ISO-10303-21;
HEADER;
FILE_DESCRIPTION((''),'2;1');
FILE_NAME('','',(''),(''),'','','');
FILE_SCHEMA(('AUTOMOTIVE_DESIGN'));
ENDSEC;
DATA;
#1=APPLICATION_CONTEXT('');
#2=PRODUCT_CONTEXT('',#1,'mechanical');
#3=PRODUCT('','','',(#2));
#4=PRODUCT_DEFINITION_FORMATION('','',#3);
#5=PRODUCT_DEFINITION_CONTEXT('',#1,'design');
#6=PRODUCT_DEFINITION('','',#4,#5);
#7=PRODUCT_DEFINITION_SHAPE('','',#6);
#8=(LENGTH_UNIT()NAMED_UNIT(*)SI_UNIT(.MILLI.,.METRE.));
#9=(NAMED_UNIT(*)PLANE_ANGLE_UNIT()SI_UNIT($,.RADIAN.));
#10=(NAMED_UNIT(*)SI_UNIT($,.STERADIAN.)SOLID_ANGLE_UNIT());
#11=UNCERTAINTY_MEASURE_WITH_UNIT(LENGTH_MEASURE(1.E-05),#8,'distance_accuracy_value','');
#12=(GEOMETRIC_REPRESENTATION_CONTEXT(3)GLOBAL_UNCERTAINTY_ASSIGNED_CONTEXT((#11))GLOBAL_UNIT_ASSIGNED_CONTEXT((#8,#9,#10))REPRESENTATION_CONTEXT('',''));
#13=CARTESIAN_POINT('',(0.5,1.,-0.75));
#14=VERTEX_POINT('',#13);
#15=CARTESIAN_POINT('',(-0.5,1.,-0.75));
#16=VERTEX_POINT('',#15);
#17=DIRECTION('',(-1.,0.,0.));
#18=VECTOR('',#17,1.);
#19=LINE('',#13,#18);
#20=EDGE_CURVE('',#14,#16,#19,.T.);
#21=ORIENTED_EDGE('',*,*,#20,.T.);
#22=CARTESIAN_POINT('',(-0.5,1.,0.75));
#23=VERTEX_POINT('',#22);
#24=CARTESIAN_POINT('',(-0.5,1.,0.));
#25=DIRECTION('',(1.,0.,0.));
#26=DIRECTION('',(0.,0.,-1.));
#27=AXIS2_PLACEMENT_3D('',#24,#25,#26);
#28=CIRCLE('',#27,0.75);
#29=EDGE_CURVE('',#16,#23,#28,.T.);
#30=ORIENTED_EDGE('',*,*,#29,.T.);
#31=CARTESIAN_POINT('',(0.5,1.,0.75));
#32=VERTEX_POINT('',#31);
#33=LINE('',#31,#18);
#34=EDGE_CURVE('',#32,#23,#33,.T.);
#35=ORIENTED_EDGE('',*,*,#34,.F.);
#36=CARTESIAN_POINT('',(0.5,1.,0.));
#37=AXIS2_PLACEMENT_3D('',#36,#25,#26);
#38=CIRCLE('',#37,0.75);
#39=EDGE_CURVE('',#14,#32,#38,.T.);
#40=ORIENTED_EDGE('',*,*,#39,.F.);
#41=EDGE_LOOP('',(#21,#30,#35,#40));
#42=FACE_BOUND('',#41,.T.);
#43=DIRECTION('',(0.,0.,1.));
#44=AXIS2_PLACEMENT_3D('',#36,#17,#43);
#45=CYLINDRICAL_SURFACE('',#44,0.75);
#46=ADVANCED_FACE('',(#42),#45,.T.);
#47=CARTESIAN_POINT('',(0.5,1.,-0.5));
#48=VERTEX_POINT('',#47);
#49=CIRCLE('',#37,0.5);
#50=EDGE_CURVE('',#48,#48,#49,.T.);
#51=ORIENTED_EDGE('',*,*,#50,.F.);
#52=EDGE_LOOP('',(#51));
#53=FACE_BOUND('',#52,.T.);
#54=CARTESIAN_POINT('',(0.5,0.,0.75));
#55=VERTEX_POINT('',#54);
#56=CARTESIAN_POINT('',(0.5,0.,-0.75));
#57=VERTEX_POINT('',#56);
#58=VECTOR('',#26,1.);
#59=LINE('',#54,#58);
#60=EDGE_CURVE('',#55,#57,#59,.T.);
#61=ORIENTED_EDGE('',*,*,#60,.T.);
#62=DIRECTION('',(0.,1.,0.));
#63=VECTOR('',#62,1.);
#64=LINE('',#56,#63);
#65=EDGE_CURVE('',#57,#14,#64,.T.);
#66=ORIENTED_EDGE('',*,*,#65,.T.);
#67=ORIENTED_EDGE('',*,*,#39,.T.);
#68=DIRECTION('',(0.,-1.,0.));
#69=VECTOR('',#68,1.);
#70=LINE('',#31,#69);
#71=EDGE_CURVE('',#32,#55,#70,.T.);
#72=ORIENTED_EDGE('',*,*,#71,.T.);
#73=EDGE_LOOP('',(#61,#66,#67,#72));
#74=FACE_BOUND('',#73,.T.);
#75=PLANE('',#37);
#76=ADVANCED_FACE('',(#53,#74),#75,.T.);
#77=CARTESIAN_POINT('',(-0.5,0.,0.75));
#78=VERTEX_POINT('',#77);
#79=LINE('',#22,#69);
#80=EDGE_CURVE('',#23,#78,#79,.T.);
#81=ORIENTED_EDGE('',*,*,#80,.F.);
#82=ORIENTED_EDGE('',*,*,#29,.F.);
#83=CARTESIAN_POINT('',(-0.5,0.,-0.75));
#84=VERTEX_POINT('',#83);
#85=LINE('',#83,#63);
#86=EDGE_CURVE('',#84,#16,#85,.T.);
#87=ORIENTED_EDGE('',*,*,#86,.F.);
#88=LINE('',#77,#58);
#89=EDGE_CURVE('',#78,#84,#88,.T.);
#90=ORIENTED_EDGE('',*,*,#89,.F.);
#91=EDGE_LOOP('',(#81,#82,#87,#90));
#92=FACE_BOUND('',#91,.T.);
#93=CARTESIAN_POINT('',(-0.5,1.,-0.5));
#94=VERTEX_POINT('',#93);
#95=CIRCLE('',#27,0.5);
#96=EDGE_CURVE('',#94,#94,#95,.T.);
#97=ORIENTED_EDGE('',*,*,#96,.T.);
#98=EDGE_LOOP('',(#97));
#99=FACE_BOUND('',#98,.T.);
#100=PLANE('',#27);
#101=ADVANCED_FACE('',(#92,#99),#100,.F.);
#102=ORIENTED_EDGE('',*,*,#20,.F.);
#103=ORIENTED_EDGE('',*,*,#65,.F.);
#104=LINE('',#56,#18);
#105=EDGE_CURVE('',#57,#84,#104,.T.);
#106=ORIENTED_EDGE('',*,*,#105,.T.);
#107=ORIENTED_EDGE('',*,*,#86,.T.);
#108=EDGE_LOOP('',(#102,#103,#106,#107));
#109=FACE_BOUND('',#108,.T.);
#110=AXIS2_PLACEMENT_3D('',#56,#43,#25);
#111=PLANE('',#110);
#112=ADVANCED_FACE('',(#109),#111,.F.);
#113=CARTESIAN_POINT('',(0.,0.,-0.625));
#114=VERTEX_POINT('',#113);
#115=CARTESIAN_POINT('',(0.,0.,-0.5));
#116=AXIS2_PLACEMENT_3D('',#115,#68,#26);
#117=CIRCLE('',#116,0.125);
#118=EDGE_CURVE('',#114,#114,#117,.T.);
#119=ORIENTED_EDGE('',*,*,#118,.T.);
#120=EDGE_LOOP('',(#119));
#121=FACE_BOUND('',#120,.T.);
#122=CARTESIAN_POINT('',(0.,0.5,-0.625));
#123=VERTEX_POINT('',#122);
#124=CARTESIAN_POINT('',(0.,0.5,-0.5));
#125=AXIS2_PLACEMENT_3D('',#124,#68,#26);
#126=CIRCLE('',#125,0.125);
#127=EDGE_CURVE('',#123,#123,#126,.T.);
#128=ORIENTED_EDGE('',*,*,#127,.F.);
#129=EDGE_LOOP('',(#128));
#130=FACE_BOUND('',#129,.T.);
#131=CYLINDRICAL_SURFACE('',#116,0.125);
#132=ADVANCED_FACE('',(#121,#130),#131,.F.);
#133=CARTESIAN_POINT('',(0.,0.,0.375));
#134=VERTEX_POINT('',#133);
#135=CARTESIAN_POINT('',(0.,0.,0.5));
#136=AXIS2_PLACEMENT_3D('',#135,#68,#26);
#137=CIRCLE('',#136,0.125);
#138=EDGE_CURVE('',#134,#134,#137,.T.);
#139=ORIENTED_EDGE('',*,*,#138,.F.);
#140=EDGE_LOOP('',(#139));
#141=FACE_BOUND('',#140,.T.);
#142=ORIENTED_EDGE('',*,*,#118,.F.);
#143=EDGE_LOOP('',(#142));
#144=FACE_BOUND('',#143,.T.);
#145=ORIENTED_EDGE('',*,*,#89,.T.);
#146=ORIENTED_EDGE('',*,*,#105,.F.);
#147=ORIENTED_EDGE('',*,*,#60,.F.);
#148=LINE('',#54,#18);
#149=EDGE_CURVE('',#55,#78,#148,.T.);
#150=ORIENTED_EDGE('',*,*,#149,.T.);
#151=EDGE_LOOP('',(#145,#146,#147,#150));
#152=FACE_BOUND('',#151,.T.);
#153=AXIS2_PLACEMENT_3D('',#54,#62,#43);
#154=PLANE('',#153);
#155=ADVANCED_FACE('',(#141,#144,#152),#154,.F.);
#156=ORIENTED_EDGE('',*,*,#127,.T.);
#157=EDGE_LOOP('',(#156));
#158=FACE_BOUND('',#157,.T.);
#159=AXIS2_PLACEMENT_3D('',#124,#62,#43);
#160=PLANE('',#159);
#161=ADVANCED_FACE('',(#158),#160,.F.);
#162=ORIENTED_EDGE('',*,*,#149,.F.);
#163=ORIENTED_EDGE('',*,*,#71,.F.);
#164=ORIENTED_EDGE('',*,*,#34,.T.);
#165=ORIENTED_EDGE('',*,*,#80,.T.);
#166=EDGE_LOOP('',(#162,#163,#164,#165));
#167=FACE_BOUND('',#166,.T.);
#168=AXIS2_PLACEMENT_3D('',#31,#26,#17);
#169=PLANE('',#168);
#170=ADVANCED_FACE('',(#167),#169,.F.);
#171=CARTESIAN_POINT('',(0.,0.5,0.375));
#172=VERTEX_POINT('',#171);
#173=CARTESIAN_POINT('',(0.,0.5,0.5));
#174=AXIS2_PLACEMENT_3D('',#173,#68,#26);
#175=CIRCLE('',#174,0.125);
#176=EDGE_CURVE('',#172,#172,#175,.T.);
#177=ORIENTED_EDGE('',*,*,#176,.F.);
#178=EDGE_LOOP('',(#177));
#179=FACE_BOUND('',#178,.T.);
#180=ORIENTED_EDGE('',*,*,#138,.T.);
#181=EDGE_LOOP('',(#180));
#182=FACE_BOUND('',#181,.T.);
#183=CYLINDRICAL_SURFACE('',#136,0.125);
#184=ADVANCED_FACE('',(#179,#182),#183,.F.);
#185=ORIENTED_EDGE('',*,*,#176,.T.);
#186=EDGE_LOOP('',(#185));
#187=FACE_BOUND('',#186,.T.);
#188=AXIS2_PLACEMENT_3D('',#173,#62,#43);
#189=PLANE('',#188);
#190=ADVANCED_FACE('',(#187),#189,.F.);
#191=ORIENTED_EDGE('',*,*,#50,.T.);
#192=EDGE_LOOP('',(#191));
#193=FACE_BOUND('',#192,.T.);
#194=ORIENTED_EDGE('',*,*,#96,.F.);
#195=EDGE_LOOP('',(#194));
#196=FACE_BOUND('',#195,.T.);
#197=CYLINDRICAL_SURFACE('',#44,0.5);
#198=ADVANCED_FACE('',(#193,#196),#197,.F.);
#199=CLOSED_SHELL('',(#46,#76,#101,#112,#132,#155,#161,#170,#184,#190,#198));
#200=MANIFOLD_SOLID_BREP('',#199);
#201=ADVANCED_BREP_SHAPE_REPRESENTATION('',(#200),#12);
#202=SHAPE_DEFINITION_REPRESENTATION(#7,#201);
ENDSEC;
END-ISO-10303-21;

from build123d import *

# Parameters (mm, degrees)
SKETCH1_R           = 0.5
BOSS_EXTRUDE1_DEPTH = 0.5
HOLE1_D             = 0.25
HOLE1_DEPTH         = 0.5


with BuildPart() as part:
    # Sketch1 → Boss-Extrude1 (new, symmetric)
    with BuildSketch(Plane(origin=(0, 0, 0), x_dir=(0, 0, -1), z_dir=(1, 0, 0))):
        with BuildLine():
            Line((-0.75, 1), (-0.75, 0))
            Line((-0.75, 0), (0.75, 0))
            Line((0.75, 0), (0.75, 1))
            ThreePointArc((0.75, 1), (0, 1.75), (-0.75, 1))
        make_face()
        with Locations((0, 1)):
            Circle(SKETCH1_R, mode=Mode.SUBTRACT)
    extrude(amount=BOSS_EXTRUDE1_DEPTH, both=True)

    # Hole1
    with Locations(Plane(origin=(0, 0, 0), x_dir=(-1, 0, 0), z_dir=(0, -1, 0))):
        with Locations((0, -0.5), (0, 0.5)):
            Hole(HOLE1_D / 2, depth=HOLE1_DEPTH)


solid = part.part
